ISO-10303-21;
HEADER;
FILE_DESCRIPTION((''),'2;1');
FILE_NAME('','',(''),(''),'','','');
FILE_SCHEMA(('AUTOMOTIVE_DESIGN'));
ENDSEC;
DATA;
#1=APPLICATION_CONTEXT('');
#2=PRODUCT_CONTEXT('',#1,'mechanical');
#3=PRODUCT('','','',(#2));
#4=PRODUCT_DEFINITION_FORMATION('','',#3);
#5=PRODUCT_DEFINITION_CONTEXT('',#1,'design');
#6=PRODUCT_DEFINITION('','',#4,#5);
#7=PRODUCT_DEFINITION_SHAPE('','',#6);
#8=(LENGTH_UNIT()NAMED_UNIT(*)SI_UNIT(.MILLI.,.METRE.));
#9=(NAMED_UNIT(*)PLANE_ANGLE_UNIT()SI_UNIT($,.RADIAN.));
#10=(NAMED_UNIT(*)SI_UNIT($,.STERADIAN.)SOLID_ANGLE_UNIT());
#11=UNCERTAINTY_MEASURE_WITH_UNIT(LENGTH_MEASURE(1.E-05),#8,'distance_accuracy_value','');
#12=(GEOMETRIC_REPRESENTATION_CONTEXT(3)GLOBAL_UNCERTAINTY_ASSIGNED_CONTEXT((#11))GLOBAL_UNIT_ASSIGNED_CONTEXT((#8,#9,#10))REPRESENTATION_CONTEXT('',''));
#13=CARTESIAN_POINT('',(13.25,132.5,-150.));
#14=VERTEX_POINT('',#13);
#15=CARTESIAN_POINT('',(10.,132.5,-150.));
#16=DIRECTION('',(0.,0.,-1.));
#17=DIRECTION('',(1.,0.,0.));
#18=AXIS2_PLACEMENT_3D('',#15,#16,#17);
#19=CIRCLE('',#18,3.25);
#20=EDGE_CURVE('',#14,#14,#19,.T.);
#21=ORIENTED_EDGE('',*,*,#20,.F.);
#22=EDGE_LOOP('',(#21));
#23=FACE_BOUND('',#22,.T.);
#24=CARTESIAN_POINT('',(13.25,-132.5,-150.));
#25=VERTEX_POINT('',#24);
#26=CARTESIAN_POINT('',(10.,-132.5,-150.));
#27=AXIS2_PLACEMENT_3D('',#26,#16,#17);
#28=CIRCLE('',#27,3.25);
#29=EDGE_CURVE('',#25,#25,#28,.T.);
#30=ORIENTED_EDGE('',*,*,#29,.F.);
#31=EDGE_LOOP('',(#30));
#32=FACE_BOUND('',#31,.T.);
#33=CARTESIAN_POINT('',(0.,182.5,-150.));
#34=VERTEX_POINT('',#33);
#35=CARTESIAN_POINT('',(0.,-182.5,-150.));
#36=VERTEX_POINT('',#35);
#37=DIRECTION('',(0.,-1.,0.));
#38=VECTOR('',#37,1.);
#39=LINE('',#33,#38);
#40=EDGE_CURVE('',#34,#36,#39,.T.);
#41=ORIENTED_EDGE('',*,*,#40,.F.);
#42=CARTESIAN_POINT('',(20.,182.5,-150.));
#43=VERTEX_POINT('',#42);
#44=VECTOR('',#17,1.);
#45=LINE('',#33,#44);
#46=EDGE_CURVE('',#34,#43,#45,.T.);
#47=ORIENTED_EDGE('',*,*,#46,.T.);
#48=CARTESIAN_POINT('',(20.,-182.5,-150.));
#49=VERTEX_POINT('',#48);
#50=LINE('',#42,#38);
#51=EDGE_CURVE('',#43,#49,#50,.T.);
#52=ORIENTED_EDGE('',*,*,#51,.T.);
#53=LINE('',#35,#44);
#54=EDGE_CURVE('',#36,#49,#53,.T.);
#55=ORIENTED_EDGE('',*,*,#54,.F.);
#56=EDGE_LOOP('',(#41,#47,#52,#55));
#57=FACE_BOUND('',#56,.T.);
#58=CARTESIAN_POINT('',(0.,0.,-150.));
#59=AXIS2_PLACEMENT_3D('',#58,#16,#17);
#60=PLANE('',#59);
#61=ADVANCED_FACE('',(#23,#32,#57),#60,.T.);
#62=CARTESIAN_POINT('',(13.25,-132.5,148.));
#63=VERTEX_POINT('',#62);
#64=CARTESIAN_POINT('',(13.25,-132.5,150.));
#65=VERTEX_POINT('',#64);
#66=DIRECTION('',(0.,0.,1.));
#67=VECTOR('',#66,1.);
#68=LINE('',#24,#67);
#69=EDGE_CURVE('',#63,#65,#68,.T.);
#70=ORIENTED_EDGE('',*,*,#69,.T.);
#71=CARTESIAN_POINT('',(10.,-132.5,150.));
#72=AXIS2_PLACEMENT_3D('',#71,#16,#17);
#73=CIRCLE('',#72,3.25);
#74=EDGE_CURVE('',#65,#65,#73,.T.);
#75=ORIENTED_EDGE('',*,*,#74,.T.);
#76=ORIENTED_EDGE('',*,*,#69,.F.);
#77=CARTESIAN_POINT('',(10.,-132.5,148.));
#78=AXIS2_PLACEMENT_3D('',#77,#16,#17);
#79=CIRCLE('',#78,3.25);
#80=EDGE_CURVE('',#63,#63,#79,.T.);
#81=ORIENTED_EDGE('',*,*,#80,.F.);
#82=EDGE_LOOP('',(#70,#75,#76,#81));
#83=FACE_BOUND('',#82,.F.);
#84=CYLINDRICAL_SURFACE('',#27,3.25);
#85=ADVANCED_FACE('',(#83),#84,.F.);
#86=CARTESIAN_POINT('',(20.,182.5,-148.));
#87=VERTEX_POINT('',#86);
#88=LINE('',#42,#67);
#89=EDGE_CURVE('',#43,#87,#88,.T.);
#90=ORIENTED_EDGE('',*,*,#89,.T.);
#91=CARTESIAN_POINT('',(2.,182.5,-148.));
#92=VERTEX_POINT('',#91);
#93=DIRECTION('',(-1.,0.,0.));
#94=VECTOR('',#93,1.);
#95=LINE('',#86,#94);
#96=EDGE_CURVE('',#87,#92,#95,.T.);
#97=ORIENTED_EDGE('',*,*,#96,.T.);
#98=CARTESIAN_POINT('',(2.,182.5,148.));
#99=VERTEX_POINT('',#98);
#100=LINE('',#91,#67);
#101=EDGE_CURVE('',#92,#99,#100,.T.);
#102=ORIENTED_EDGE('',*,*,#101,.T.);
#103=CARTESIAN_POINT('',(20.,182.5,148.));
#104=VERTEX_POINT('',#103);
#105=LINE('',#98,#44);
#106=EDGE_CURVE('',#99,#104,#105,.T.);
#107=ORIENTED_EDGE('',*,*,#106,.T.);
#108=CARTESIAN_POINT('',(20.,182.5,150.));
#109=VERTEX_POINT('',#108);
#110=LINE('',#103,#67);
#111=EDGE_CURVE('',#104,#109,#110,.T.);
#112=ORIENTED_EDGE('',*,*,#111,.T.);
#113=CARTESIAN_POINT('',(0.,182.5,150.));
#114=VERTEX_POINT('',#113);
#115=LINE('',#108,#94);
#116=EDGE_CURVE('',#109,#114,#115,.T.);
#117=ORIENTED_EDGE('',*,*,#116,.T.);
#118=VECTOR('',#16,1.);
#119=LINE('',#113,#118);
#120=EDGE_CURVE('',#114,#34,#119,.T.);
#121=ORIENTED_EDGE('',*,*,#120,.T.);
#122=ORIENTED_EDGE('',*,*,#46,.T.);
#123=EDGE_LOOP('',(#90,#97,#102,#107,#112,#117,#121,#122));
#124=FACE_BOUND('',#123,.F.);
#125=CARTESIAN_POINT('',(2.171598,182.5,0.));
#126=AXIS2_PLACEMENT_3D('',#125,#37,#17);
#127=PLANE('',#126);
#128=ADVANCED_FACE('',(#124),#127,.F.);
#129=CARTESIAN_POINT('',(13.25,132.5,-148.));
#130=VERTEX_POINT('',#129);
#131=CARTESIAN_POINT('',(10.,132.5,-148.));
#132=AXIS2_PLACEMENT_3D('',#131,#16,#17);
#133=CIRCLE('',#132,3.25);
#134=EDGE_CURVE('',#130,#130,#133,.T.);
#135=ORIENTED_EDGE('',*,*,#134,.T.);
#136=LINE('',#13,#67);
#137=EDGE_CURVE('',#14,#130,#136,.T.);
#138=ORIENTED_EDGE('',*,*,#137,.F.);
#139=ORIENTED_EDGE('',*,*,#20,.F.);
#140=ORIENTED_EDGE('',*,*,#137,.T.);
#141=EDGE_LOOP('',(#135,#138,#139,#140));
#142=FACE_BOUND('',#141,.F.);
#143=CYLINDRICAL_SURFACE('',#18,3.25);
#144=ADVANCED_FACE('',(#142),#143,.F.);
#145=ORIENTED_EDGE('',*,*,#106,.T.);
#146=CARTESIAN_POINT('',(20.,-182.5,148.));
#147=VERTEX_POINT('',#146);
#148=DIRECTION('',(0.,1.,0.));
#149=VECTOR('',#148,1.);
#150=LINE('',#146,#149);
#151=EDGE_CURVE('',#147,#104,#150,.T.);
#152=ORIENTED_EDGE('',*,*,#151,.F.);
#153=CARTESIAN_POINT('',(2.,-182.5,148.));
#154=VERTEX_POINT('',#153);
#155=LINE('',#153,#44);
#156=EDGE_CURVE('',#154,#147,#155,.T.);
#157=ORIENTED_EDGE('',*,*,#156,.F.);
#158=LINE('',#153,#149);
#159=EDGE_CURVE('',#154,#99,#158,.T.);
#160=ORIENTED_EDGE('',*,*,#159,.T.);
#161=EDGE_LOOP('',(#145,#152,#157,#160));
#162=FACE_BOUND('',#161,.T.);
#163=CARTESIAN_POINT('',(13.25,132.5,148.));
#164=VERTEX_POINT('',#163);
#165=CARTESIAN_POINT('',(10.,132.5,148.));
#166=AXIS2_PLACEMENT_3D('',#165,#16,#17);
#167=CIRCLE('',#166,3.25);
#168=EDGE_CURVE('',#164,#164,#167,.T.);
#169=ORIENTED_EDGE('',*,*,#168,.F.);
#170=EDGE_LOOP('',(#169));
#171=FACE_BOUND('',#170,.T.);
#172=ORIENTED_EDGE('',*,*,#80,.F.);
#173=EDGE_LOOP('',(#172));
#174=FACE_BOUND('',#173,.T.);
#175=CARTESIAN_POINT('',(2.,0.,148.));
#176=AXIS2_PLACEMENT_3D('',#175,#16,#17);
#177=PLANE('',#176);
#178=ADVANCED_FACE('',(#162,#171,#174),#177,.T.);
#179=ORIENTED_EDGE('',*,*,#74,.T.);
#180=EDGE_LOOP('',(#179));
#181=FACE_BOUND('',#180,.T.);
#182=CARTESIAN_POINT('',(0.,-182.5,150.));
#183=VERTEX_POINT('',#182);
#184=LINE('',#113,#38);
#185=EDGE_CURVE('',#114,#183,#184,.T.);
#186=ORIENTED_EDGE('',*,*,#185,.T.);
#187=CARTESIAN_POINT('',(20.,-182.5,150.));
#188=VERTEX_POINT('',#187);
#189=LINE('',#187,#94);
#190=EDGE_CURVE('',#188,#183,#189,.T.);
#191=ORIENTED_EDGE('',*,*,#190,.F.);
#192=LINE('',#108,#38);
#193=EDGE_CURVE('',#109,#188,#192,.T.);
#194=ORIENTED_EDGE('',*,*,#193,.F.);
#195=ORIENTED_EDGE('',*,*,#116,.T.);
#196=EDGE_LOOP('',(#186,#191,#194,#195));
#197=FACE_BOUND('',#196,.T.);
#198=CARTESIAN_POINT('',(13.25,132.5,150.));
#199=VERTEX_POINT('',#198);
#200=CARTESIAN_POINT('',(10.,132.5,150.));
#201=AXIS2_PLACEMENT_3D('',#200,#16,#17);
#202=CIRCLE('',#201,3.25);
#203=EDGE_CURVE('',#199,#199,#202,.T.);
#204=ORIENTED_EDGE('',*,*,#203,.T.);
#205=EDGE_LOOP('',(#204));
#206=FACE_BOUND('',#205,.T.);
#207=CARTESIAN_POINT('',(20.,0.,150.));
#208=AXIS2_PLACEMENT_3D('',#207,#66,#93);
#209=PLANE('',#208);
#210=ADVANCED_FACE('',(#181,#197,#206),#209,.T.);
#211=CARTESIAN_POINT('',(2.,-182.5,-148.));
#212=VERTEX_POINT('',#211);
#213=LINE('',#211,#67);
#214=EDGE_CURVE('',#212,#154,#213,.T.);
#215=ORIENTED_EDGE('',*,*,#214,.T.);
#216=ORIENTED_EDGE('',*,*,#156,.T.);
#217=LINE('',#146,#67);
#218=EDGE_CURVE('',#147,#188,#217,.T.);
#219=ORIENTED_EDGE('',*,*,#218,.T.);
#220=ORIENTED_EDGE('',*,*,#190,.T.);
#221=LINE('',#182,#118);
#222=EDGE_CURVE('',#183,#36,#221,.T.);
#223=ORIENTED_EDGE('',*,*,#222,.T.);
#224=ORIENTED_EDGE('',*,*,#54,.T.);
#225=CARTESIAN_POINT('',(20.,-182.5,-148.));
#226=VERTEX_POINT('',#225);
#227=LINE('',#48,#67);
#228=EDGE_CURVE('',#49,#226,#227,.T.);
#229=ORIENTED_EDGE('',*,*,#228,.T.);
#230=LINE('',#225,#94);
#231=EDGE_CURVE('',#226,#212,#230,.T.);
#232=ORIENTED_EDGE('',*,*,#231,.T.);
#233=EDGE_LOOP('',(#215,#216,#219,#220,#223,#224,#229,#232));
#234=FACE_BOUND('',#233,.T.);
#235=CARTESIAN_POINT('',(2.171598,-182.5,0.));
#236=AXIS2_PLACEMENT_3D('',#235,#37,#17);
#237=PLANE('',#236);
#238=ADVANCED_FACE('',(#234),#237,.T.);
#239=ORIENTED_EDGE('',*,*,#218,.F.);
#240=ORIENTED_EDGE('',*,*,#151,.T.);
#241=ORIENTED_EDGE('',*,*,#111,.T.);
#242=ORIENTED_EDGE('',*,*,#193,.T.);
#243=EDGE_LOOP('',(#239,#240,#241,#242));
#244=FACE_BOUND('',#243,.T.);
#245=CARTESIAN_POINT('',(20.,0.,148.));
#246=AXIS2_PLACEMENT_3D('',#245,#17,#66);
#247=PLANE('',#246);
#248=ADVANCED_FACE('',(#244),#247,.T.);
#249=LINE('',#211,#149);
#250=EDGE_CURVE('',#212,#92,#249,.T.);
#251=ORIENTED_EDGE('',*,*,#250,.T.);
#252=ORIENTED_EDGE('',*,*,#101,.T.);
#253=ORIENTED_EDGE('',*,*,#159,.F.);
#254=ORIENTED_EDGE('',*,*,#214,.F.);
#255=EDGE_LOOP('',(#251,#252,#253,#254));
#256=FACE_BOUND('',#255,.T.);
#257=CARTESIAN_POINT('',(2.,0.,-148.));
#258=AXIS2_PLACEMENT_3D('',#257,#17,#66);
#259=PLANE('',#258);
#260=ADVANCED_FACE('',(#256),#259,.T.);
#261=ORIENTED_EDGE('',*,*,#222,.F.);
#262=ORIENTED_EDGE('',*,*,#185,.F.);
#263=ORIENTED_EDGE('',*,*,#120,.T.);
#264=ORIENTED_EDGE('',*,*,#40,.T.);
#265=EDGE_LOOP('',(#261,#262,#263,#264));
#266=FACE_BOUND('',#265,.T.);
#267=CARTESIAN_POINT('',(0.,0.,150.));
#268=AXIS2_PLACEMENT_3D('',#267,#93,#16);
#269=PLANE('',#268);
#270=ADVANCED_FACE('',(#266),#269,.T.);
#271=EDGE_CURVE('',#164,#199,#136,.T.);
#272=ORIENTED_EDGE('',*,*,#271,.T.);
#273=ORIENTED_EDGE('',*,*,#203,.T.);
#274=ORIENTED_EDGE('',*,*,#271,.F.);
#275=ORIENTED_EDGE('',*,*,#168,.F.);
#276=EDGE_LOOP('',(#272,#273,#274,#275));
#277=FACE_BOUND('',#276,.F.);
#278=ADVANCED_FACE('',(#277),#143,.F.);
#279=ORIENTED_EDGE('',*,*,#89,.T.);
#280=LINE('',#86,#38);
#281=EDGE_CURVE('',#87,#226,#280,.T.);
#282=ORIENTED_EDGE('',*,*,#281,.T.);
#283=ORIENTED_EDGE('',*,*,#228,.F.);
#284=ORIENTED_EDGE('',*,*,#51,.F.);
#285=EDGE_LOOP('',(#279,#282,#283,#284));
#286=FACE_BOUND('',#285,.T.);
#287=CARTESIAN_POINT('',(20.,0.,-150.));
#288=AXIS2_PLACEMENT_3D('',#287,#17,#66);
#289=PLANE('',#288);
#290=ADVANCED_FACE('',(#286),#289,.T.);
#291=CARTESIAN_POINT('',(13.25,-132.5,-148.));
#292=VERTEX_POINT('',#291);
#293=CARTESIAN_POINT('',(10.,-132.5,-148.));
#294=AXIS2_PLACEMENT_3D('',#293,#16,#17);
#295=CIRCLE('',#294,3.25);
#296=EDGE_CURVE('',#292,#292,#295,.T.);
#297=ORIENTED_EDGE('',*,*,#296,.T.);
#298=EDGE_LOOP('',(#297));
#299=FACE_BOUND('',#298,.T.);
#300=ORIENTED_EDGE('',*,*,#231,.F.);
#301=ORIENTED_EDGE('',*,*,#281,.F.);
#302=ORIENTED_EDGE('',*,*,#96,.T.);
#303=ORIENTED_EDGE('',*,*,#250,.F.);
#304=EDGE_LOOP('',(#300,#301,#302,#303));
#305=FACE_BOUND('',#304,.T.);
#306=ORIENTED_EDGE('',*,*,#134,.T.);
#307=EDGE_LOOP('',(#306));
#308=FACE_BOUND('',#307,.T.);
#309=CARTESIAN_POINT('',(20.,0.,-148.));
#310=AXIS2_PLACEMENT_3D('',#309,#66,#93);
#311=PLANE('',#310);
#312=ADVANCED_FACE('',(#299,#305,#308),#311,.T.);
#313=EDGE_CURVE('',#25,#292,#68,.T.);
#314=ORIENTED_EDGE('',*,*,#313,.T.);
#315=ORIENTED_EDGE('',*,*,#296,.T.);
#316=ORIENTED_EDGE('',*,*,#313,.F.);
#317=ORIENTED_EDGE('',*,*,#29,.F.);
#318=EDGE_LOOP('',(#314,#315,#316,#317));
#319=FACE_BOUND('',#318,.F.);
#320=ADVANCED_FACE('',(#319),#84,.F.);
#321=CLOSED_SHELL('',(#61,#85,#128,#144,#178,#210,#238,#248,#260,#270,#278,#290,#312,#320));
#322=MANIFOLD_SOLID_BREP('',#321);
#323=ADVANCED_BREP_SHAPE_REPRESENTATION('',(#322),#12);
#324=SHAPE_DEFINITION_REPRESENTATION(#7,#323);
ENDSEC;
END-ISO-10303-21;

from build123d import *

# Parameters (mm, degrees)
F1_DEPTH = 182.5
F2_R     = 3.25
F3_DEPTH = 300.001


with BuildPart() as f1:
    # F0 (on Front) → F1 (new body, symmetric)
    with BuildSketch(Plane.XZ):
        Polygon((20, 148), (20, 150), (0, 150), (0, 0), (0, -150), (20, -150), (20, -148), (2, -148), (2, 0), (2, 148), align=None)
    extrude(amount=F1_DEPTH, both=True)

    # F2 (on face) → F3 (cut, through all)
    with BuildSketch(Plane(origin=(0, 0, -150), x_dir=(1, 0, 0), z_dir=(0, 0, -1))):
        with Locations((10, 132.5)):
            Circle(F2_R)
        with Locations((10, -132.5)):
            Circle(F2_R)
    extrude(amount=-F3_DEPTH, mode=Mode.SUBTRACT)


solid = f1.part
